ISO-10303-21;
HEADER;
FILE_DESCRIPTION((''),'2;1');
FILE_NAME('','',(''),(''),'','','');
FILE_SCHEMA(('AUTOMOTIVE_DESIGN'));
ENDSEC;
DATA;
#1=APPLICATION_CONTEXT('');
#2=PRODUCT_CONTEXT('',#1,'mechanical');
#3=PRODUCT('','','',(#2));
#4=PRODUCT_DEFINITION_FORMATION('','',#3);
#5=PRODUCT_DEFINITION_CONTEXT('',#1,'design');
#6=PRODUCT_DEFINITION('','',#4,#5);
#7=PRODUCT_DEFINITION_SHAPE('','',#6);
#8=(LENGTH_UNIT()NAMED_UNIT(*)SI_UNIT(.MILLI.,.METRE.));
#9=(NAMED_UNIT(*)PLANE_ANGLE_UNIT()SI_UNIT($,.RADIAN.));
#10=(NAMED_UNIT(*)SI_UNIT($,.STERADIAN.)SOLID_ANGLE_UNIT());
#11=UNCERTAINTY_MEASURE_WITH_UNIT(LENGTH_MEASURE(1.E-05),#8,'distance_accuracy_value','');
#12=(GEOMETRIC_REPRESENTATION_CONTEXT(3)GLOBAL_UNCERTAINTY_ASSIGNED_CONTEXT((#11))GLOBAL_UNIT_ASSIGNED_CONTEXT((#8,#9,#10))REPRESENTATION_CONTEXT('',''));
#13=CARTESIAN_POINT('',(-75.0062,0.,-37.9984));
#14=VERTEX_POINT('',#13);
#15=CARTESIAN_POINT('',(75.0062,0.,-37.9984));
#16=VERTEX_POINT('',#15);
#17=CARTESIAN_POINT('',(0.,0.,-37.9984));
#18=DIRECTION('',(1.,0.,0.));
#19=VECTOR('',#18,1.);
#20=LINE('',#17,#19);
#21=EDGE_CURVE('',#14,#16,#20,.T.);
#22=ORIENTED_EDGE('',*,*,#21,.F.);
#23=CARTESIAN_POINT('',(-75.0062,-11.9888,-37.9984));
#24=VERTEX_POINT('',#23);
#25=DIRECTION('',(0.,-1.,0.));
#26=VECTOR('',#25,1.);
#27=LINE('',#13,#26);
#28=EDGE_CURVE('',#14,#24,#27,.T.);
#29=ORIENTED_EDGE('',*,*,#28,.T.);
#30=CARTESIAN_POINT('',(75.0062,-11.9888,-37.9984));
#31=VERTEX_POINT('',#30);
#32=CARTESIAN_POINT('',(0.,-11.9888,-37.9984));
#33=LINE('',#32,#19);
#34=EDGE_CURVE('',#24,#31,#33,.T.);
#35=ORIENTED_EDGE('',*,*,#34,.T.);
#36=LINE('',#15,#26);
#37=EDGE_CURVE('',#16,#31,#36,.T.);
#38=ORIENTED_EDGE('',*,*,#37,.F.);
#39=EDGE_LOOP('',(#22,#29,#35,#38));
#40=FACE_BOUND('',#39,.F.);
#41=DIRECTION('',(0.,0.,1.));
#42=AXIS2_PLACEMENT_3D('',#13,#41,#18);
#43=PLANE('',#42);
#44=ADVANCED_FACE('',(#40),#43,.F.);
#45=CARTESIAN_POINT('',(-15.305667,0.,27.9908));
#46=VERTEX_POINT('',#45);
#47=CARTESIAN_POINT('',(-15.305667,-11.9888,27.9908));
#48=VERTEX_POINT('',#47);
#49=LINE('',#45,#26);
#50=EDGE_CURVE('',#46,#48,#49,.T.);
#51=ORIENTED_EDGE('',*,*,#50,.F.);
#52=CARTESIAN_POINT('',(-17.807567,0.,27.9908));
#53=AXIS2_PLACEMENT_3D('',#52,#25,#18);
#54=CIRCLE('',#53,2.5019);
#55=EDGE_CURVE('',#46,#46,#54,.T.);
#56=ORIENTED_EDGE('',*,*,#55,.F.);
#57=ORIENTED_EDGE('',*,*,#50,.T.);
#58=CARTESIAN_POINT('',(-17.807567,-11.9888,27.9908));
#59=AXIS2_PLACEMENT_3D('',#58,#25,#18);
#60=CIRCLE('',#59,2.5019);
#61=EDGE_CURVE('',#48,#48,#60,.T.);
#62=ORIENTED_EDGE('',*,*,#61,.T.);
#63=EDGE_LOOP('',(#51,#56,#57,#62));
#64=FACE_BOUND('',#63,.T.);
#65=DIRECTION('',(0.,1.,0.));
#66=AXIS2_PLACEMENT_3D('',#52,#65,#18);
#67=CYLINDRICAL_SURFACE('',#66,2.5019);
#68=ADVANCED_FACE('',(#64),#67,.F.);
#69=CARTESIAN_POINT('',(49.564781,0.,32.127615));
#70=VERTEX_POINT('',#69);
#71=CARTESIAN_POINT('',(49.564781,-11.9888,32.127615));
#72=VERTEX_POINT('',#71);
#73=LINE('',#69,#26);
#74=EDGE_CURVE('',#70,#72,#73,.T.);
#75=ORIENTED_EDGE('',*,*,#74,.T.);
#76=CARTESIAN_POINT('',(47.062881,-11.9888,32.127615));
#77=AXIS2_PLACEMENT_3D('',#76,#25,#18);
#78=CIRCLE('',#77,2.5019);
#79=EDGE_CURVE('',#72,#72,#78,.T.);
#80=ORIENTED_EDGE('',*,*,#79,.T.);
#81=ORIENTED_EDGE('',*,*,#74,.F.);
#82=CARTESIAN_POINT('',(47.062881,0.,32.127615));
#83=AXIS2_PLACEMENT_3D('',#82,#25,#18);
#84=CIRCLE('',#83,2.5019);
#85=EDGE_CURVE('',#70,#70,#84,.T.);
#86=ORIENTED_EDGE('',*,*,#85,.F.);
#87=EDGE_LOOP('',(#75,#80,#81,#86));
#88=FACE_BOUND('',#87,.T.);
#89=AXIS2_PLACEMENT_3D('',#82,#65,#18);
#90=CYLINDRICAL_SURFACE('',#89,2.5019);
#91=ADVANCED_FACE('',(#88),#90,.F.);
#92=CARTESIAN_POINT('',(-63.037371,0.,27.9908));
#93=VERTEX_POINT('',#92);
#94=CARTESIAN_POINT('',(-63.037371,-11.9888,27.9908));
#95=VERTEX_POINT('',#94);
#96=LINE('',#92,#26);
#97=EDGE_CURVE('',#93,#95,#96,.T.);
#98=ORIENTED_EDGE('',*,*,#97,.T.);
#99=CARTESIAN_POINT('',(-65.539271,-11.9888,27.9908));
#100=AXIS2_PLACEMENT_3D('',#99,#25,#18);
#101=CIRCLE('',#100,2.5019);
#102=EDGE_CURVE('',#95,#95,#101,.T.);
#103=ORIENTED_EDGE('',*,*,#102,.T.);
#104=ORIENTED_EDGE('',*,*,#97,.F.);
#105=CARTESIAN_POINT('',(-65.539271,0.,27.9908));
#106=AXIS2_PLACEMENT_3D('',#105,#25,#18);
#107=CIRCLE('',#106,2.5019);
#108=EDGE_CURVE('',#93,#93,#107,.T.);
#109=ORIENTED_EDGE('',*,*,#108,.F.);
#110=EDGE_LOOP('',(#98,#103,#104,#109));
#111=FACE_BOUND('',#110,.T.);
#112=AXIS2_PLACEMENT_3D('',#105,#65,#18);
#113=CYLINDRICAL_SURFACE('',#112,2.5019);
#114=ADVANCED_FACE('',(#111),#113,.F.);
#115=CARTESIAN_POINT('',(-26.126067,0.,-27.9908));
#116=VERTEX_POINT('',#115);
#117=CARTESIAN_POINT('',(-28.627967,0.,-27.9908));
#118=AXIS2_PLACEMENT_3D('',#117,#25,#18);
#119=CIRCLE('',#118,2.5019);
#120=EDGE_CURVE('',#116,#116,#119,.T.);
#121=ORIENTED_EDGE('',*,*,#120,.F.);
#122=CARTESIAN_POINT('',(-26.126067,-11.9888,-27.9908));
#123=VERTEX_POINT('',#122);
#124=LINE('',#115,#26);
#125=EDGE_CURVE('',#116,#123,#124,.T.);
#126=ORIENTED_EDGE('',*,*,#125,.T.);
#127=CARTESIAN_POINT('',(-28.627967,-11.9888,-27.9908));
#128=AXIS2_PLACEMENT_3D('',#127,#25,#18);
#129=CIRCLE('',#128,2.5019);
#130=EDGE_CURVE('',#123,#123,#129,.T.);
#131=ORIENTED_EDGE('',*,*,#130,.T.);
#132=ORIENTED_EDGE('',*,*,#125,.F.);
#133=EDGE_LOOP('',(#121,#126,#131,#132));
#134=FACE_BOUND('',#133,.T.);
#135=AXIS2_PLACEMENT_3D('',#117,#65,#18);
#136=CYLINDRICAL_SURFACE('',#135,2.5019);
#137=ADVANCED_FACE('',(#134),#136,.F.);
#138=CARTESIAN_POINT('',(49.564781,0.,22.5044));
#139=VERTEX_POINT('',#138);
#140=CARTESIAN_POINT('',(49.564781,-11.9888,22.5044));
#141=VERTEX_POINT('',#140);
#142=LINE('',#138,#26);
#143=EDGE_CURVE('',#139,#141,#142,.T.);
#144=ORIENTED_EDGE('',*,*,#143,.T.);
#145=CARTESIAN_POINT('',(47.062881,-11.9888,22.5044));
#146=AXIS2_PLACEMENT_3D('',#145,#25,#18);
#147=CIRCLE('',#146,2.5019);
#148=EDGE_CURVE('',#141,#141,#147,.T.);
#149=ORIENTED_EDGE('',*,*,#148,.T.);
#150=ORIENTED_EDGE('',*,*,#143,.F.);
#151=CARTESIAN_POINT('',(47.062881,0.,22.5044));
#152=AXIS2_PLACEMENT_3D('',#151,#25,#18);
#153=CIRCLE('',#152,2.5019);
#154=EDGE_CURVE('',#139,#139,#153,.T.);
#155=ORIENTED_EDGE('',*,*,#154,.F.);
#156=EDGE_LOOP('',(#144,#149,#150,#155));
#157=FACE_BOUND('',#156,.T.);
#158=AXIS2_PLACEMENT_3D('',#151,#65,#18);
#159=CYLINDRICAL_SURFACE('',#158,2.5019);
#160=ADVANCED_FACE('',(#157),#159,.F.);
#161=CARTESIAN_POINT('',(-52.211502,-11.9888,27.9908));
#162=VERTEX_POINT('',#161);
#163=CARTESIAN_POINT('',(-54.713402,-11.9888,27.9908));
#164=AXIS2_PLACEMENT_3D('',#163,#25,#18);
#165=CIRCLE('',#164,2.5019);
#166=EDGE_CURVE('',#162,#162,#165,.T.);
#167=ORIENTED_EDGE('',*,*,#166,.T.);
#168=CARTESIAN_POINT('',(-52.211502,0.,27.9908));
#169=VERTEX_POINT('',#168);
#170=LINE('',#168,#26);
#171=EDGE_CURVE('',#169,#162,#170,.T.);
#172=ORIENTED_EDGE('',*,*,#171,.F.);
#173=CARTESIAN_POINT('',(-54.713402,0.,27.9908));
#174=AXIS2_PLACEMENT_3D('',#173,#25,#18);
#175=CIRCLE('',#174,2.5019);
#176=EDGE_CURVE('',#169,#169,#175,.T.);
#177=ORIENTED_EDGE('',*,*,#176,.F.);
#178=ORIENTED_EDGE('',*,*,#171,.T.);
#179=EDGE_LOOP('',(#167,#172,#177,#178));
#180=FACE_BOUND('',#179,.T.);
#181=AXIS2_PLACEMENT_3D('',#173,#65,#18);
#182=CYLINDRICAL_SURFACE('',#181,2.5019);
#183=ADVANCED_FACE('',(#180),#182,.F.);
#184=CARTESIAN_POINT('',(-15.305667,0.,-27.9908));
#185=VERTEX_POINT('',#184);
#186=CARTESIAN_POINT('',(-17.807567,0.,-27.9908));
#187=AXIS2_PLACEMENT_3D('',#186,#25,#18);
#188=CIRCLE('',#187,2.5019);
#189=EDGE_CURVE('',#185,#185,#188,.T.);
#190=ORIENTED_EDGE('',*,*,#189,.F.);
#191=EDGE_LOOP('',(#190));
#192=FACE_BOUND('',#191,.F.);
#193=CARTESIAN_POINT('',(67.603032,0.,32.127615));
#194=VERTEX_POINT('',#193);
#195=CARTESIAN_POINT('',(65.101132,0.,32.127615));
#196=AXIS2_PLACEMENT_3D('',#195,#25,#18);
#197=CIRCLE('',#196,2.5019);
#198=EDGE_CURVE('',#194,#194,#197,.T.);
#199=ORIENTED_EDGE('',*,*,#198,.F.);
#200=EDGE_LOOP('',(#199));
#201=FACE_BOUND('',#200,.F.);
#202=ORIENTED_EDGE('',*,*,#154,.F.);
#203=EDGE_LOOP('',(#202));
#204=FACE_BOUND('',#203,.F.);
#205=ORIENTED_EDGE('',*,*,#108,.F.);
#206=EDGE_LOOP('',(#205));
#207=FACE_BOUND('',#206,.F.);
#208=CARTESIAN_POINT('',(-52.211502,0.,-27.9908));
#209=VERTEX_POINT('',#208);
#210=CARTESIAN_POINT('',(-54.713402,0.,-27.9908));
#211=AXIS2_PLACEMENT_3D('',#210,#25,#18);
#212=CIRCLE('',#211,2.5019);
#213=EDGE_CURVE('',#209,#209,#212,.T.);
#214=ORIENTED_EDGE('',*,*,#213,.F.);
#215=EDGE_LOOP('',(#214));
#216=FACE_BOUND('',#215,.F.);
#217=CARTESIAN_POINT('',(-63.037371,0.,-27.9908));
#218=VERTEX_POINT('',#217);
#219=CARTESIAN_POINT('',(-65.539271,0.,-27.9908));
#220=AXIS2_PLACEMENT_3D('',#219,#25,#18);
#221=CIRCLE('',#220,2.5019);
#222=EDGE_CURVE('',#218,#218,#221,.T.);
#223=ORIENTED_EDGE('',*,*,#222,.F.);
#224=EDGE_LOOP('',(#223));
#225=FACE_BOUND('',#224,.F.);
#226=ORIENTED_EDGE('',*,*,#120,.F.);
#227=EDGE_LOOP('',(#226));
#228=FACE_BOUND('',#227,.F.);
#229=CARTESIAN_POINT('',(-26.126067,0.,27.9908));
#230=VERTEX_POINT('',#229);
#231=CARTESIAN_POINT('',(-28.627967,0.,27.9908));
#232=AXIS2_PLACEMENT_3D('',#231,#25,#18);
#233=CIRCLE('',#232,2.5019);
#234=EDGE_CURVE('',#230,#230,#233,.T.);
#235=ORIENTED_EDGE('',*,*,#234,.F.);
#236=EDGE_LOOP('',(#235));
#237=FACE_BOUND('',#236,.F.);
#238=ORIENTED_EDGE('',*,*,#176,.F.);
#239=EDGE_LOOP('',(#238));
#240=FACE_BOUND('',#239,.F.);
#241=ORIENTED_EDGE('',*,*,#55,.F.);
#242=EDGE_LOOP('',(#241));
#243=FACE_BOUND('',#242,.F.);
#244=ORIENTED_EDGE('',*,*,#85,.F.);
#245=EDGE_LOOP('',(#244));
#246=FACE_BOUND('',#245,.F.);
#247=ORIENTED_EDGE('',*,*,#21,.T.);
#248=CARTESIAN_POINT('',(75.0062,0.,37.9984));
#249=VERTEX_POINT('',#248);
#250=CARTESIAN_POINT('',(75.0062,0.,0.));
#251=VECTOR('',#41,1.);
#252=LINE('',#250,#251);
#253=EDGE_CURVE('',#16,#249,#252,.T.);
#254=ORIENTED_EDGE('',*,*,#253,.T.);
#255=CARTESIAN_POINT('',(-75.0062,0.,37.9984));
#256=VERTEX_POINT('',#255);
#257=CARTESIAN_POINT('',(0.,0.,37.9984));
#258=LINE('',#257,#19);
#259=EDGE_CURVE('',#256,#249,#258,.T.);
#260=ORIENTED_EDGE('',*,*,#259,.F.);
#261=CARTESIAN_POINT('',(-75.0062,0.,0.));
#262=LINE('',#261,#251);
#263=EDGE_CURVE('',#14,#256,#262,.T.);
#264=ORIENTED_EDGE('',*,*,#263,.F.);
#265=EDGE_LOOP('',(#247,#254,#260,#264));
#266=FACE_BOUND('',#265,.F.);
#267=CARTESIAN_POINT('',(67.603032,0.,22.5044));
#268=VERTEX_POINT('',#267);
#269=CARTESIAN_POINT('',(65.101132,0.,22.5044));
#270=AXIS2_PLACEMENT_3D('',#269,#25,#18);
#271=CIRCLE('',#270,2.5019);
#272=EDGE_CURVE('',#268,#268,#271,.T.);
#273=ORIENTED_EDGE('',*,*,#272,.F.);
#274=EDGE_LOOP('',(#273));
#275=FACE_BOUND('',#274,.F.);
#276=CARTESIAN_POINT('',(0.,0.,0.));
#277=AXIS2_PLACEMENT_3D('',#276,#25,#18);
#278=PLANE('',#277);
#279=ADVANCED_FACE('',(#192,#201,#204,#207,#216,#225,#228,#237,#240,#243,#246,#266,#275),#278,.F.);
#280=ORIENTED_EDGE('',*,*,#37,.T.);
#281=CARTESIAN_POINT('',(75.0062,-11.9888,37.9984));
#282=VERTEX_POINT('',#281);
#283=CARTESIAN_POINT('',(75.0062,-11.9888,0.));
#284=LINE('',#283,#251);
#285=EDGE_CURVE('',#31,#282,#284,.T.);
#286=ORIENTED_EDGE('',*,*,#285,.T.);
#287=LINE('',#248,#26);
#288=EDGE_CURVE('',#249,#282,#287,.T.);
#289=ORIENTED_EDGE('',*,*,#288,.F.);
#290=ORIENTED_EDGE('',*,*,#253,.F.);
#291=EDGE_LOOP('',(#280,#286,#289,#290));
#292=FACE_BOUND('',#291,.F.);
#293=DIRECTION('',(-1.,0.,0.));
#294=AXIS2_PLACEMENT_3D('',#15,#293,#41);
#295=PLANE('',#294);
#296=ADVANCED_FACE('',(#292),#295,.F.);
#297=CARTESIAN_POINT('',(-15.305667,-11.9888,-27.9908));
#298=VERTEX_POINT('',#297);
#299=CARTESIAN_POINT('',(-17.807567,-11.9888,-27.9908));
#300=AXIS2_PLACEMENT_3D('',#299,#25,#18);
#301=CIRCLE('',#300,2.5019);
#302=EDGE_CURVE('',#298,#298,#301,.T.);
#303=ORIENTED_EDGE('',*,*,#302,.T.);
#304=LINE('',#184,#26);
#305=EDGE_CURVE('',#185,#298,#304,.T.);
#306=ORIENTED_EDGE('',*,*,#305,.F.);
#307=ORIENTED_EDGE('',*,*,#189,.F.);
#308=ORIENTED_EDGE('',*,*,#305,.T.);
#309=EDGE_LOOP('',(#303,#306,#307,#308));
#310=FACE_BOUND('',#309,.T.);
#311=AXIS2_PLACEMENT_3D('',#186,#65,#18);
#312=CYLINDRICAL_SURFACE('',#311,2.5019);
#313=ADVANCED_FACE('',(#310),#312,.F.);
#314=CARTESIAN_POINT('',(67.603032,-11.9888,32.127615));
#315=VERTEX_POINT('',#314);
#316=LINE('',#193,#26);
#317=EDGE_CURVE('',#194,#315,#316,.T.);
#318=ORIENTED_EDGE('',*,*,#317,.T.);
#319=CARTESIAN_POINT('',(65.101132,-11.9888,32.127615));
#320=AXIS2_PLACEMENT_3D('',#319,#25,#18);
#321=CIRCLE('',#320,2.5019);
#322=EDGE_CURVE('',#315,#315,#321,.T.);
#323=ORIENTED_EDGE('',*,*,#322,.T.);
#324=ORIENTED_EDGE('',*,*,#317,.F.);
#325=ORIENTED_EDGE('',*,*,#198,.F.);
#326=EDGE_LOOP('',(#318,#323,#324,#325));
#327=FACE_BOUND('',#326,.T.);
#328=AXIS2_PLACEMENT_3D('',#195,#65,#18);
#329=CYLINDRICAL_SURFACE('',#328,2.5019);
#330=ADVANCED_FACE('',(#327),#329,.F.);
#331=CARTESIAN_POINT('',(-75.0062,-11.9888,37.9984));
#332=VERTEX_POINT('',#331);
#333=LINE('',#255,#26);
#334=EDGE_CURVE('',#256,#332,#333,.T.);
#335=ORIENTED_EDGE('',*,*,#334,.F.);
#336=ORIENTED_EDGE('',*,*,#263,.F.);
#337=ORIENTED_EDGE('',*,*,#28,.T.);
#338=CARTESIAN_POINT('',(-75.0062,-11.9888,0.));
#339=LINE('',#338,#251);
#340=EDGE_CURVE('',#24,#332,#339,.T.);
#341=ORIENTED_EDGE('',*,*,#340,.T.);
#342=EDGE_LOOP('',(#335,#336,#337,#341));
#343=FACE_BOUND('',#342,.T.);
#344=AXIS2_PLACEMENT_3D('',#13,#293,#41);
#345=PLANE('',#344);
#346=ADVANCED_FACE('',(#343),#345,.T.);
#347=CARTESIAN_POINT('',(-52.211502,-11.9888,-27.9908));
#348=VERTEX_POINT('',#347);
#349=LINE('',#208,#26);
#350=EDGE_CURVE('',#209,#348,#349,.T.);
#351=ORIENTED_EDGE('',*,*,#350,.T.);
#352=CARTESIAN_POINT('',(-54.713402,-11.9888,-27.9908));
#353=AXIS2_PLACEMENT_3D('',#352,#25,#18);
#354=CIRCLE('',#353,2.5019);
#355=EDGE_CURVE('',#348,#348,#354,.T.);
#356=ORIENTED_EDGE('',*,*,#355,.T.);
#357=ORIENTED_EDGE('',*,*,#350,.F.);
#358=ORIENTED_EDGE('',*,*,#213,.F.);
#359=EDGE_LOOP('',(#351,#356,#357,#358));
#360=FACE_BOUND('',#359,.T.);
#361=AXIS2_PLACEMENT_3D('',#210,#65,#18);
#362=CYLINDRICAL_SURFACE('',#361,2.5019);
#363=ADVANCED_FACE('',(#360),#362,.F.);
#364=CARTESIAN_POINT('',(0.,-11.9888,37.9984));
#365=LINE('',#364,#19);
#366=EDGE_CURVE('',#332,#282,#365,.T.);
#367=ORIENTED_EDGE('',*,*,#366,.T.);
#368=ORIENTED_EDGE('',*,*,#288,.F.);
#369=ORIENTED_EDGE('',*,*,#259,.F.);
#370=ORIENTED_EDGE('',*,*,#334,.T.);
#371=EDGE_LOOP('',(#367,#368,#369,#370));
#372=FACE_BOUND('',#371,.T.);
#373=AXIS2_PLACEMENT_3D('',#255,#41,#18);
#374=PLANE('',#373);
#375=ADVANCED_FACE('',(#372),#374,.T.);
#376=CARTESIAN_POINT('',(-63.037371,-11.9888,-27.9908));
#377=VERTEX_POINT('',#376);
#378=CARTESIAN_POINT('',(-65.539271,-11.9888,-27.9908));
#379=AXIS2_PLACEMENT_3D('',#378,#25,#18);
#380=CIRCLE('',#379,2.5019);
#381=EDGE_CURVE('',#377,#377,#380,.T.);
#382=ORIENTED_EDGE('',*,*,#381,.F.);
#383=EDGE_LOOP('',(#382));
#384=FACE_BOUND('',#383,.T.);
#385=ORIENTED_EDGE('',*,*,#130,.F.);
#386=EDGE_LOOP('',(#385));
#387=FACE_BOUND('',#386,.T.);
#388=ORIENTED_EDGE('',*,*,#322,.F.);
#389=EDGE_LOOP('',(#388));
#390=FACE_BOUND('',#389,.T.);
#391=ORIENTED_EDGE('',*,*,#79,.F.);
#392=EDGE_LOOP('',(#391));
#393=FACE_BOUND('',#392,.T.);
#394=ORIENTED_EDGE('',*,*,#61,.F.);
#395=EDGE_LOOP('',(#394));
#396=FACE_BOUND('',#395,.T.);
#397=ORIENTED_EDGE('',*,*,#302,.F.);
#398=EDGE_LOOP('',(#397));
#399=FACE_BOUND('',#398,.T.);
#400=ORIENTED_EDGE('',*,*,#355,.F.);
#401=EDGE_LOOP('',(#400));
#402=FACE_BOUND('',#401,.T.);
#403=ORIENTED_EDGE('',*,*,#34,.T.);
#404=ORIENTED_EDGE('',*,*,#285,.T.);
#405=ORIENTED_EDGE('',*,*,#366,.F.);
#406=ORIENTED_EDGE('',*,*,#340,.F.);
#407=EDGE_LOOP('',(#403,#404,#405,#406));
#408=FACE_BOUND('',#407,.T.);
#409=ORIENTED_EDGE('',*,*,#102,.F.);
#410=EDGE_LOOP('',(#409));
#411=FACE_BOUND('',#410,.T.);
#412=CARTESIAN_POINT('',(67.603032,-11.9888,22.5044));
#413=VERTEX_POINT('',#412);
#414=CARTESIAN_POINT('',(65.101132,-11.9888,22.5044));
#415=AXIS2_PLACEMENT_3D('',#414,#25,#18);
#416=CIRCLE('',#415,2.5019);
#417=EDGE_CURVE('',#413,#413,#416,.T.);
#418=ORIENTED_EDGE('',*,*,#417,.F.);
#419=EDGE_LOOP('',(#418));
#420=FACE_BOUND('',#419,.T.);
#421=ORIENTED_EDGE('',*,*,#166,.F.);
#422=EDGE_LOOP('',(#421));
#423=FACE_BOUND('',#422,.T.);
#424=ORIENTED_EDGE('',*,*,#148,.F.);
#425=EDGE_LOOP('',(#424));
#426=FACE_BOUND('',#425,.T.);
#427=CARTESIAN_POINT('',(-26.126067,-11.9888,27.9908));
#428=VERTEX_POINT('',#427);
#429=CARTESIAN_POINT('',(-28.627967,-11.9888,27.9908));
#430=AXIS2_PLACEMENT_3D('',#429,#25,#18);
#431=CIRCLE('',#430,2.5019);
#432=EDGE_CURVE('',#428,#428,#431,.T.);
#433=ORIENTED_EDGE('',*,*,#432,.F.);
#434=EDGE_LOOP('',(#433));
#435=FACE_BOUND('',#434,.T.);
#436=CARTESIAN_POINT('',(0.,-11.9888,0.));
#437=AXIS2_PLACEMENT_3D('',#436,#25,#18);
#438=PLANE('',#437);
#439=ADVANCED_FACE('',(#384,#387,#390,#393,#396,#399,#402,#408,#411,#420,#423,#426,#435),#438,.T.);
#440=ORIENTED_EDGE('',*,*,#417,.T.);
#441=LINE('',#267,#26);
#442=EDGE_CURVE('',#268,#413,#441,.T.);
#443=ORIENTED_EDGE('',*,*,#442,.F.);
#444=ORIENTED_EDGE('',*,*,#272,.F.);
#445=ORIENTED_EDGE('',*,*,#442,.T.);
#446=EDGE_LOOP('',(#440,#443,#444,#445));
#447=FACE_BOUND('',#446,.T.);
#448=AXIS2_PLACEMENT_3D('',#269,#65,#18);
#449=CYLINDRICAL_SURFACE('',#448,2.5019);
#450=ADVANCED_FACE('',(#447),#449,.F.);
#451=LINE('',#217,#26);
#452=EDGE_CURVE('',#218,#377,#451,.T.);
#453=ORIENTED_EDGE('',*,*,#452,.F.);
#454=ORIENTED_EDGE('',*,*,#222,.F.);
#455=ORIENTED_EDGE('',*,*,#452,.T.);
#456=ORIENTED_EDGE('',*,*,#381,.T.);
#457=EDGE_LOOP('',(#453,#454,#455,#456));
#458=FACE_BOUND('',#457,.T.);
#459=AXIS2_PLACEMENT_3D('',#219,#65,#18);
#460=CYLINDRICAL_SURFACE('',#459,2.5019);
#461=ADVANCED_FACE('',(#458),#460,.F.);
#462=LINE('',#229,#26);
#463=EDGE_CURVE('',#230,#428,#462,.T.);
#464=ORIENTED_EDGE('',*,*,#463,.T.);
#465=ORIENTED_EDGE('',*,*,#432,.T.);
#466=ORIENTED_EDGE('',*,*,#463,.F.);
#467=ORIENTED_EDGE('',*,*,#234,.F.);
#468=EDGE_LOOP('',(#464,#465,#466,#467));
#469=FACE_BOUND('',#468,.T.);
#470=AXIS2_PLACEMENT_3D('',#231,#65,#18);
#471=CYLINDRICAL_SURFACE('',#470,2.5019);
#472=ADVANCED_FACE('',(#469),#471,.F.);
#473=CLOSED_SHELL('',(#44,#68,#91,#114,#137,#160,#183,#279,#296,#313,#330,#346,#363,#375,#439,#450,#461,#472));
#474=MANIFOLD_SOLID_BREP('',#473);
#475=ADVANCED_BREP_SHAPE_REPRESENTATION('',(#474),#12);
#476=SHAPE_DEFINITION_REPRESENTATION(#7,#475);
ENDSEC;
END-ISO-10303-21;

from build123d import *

# Parameters (mm, degrees)
F0_W     = 150.0124
F0_H     = 75.9968
F0_R     = 2.5019
F1_DEPTH = 11.9888


with BuildPart() as f1:
    # F0 (on Front) → F1 (new body)
    with BuildSketch(Plane.XZ):
        Rectangle(F0_W, F0_H)
        with Locations((-65.539271, -27.9908)):
            Circle(F0_R, mode=Mode.SUBTRACT)
        with Locations((-54.713402, -27.9908)):
            Circle(F0_R, mode=Mode.SUBTRACT)
        with Locations((-28.627967, -27.9908)):
            Circle(F0_R, mode=Mode.SUBTRACT)
        with Locations((-17.807567, -27.9908)):
            Circle(F0_R, mode=Mode.SUBTRACT)
        with Locations((-65.539271, 27.9908)):
            Circle(F0_R, mode=Mode.SUBTRACT)
        with Locations((-54.713402, 27.9908)):
            Circle(F0_R, mode=Mode.SUBTRACT)
        with Locations((-28.627967, 27.9908)):
            Circle(F0_R, mode=Mode.SUBTRACT)
        with Locations((-17.807567, 27.9908)):
            Circle(F0_R, mode=Mode.SUBTRACT)
        with Locations((47.062881, 22.5044)):
            Circle(F0_R, mode=Mode.SUBTRACT)
        with Locations((65.101132, 22.5044)):
            Circle(F0_R, mode=Mode.SUBTRACT)
        with Locations((47.062881, 32.127615)):
            Circle(F0_R, mode=Mode.SUBTRACT)
        with Locations((65.101132, 32.127615)):
            Circle(F0_R, mode=Mode.SUBTRACT)
    extrude(amount=F1_DEPTH)


solid = f1.part
